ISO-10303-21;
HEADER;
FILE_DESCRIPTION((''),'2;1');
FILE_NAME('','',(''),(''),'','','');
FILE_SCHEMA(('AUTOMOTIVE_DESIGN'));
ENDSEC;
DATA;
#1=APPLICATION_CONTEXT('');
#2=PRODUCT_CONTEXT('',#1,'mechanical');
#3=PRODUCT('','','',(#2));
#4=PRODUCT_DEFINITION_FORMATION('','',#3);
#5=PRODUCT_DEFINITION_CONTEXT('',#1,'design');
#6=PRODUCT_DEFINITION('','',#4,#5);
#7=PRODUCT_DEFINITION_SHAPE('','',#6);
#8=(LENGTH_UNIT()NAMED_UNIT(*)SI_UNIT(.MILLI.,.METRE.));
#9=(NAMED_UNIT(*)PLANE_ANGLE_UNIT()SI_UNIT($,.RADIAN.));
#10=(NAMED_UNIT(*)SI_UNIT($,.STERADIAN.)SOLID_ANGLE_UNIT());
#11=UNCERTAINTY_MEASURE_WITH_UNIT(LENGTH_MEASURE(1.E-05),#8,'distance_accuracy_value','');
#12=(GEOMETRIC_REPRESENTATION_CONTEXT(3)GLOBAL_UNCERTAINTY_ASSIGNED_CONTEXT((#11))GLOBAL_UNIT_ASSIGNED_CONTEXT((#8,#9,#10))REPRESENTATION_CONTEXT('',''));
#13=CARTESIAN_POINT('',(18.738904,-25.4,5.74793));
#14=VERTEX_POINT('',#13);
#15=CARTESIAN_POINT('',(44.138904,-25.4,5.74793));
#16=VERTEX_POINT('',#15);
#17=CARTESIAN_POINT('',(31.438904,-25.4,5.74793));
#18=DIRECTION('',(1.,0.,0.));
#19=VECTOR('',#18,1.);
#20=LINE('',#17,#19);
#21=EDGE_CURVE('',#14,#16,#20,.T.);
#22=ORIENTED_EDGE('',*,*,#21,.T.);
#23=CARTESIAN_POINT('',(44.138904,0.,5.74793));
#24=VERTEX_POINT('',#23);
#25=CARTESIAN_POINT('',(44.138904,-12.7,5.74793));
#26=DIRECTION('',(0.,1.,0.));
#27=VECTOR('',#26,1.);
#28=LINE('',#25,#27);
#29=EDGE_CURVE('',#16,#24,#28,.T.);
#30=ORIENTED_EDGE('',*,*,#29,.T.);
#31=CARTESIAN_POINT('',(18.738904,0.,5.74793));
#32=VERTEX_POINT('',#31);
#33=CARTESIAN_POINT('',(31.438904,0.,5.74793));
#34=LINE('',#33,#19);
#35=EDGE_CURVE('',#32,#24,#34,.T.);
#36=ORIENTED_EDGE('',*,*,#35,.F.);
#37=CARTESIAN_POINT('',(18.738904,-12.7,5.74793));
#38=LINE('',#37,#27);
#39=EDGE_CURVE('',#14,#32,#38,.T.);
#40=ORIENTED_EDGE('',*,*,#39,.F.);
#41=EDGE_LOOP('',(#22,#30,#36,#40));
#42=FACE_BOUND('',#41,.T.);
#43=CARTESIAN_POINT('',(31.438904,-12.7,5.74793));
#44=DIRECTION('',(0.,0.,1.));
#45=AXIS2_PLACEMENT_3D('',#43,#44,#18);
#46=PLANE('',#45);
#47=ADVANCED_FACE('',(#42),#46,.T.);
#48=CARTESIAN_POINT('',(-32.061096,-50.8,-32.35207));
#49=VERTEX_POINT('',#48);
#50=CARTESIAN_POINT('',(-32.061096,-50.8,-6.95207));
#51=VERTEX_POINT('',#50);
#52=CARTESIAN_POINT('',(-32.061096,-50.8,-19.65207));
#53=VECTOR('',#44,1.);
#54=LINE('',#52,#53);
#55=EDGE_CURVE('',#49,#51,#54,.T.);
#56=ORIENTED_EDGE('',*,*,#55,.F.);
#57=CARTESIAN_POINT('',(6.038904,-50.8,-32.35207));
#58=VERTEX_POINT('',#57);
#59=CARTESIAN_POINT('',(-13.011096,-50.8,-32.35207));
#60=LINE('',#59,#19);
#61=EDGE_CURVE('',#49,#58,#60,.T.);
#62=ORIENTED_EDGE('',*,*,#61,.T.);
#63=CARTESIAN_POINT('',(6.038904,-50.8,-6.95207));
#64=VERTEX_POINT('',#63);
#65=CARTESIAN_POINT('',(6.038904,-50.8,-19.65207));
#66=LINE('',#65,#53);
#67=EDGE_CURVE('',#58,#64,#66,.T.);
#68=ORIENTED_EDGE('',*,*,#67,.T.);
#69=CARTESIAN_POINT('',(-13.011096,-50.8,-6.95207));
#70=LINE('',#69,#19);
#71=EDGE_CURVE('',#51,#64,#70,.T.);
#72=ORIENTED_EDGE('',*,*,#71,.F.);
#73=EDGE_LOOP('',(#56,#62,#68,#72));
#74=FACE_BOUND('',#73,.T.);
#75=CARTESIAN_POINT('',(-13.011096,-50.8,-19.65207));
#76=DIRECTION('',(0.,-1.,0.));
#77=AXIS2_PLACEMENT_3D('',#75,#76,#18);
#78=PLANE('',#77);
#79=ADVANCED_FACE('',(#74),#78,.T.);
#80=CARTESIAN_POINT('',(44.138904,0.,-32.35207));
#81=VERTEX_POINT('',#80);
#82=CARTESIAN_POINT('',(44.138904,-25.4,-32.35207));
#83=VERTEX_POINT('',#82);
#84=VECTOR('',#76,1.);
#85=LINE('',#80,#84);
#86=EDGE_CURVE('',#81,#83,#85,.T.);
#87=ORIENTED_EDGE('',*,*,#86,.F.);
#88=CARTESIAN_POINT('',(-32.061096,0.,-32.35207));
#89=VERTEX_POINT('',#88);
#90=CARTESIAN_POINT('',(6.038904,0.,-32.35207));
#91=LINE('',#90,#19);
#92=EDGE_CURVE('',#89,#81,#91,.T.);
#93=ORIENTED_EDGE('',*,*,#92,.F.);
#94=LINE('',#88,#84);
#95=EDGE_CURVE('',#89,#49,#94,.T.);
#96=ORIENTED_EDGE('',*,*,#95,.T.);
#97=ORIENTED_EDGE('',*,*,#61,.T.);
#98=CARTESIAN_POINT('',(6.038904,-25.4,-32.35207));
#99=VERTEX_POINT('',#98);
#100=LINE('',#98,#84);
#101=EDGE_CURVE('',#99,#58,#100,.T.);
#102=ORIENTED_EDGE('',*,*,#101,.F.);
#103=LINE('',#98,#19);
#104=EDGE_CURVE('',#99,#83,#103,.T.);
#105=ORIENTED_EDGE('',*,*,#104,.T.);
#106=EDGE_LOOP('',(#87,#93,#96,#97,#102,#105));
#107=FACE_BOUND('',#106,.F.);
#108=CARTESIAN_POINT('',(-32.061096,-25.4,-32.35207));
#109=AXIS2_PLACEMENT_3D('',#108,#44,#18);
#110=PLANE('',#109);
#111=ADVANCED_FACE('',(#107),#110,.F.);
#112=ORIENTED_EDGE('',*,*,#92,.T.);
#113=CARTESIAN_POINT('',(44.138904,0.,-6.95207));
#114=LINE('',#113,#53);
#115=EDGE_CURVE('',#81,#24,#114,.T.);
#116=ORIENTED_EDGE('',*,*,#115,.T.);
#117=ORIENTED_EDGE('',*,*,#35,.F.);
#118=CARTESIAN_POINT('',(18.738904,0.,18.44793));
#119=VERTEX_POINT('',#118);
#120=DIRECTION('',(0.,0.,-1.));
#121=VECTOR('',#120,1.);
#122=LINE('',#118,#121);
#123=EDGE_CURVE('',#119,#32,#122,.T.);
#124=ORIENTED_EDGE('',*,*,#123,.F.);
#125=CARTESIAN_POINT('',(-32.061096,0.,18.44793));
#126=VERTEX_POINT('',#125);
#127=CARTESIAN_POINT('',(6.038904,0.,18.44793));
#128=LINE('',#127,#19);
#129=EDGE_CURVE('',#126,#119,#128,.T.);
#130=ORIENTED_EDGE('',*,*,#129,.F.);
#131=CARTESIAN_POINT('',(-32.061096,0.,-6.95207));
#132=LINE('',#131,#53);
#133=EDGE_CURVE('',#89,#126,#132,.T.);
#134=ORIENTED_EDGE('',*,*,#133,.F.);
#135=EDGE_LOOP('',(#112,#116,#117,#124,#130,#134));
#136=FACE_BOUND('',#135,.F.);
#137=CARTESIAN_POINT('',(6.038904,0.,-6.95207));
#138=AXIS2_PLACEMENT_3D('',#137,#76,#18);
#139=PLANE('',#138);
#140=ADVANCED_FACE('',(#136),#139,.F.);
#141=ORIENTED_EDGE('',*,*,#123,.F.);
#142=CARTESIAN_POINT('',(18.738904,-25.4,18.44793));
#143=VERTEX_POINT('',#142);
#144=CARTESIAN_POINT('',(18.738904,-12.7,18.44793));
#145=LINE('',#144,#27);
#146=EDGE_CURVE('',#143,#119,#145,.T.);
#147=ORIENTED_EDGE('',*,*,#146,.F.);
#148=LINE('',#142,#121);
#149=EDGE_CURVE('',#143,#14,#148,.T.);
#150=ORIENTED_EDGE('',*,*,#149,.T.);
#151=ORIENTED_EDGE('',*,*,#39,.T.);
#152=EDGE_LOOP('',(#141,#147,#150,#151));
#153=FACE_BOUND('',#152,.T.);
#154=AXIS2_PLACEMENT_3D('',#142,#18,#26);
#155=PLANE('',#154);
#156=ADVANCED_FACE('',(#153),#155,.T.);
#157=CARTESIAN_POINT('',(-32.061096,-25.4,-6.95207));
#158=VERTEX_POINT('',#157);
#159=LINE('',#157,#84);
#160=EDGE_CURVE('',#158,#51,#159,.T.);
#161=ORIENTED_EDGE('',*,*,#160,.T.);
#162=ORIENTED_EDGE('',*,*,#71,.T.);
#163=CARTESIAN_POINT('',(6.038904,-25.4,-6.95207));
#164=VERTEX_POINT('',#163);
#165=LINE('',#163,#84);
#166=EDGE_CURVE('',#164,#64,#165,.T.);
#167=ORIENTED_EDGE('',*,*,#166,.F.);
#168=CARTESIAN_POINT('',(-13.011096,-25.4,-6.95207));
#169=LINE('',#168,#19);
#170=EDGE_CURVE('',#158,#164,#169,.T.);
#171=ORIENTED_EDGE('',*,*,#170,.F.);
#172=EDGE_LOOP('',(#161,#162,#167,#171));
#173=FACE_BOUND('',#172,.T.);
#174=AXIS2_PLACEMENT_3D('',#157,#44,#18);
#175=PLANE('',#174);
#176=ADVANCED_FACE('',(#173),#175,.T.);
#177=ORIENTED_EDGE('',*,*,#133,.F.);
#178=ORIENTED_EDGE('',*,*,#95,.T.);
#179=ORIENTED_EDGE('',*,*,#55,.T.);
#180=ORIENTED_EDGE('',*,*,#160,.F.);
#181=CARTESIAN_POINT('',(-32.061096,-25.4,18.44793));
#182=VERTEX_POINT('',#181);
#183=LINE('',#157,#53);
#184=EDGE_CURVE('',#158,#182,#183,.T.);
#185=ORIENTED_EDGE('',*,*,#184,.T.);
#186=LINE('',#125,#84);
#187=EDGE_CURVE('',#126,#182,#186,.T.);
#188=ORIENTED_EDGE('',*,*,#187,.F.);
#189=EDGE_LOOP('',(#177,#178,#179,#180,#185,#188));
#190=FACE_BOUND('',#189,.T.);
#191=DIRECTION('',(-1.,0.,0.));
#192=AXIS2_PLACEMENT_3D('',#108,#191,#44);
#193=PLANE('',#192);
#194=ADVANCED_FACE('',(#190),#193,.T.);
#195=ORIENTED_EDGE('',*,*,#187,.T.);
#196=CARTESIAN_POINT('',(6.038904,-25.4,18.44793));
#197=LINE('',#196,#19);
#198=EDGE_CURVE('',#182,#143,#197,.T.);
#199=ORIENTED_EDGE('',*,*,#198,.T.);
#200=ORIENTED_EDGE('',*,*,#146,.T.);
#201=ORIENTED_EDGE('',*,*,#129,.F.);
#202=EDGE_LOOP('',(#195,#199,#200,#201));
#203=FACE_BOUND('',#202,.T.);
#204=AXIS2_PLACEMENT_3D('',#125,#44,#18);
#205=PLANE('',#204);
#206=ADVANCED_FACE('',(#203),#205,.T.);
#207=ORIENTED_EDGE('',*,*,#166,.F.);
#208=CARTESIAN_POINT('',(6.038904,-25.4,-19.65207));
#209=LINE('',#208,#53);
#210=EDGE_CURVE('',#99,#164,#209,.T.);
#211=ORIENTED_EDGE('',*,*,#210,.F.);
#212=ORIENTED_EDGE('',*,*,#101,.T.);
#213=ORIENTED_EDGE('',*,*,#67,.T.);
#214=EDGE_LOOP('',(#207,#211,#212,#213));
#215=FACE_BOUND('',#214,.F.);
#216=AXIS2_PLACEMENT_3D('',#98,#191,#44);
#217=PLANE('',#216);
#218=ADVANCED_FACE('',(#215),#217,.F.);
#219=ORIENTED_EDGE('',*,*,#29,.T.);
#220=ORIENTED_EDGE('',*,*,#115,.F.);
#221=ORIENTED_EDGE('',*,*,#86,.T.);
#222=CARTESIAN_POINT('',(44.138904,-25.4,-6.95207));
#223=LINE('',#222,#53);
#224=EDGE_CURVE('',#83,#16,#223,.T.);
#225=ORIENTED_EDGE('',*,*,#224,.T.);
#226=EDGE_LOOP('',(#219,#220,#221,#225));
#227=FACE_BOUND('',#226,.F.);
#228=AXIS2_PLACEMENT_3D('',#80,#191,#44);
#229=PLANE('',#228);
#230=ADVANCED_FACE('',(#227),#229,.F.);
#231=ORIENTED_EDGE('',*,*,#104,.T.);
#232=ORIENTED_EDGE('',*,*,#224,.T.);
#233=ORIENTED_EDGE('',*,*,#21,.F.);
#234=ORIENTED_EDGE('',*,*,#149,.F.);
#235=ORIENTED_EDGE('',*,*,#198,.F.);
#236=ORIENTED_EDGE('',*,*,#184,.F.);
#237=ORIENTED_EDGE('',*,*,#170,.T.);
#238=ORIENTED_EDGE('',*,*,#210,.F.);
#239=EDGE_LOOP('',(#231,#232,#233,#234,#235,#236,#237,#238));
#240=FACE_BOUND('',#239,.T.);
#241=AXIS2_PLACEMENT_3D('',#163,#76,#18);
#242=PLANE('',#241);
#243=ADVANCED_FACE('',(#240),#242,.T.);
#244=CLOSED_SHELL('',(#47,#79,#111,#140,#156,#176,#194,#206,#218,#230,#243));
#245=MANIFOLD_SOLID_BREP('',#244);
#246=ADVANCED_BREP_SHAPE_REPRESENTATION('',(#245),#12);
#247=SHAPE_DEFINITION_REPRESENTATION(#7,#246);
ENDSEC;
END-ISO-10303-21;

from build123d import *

# Parameters (mm, degrees)
F0_W     = 76.2
F0_H     = 50.8
F1_DEPTH = 25.4
F2_W     = 25.4
F2_H     = 25.4
F3_DEPTH = 12.7
F4_W     = 38.1
F4_H     = 25.4
F5_DEPTH = 25.4


with BuildPart() as f1:
    # F0 (on Front) → F1 (new body)
    with BuildSketch(Plane.XZ):
        with Locations((6.038904, -6.95207)):
            Rectangle(F0_W, F0_H)
    extrude(amount=F1_DEPTH)

    # F2 (on face) → F3 (cut)
    with BuildSketch(Plane.XY.offset(18.44793)):
        with Locations((31.438904, -12.7)):
            Rectangle(F2_W, F2_H)
    extrude(amount=-F3_DEPTH, mode=Mode.SUBTRACT)

    # F4 (on face) → F5 (join)
    with BuildSketch(Plane.XZ.offset(25.4)):
        with Locations((-13.011096, -19.65207)):
            Rectangle(F4_W, F4_H)
    extrude(amount=F5_DEPTH)


solid = f1.part
